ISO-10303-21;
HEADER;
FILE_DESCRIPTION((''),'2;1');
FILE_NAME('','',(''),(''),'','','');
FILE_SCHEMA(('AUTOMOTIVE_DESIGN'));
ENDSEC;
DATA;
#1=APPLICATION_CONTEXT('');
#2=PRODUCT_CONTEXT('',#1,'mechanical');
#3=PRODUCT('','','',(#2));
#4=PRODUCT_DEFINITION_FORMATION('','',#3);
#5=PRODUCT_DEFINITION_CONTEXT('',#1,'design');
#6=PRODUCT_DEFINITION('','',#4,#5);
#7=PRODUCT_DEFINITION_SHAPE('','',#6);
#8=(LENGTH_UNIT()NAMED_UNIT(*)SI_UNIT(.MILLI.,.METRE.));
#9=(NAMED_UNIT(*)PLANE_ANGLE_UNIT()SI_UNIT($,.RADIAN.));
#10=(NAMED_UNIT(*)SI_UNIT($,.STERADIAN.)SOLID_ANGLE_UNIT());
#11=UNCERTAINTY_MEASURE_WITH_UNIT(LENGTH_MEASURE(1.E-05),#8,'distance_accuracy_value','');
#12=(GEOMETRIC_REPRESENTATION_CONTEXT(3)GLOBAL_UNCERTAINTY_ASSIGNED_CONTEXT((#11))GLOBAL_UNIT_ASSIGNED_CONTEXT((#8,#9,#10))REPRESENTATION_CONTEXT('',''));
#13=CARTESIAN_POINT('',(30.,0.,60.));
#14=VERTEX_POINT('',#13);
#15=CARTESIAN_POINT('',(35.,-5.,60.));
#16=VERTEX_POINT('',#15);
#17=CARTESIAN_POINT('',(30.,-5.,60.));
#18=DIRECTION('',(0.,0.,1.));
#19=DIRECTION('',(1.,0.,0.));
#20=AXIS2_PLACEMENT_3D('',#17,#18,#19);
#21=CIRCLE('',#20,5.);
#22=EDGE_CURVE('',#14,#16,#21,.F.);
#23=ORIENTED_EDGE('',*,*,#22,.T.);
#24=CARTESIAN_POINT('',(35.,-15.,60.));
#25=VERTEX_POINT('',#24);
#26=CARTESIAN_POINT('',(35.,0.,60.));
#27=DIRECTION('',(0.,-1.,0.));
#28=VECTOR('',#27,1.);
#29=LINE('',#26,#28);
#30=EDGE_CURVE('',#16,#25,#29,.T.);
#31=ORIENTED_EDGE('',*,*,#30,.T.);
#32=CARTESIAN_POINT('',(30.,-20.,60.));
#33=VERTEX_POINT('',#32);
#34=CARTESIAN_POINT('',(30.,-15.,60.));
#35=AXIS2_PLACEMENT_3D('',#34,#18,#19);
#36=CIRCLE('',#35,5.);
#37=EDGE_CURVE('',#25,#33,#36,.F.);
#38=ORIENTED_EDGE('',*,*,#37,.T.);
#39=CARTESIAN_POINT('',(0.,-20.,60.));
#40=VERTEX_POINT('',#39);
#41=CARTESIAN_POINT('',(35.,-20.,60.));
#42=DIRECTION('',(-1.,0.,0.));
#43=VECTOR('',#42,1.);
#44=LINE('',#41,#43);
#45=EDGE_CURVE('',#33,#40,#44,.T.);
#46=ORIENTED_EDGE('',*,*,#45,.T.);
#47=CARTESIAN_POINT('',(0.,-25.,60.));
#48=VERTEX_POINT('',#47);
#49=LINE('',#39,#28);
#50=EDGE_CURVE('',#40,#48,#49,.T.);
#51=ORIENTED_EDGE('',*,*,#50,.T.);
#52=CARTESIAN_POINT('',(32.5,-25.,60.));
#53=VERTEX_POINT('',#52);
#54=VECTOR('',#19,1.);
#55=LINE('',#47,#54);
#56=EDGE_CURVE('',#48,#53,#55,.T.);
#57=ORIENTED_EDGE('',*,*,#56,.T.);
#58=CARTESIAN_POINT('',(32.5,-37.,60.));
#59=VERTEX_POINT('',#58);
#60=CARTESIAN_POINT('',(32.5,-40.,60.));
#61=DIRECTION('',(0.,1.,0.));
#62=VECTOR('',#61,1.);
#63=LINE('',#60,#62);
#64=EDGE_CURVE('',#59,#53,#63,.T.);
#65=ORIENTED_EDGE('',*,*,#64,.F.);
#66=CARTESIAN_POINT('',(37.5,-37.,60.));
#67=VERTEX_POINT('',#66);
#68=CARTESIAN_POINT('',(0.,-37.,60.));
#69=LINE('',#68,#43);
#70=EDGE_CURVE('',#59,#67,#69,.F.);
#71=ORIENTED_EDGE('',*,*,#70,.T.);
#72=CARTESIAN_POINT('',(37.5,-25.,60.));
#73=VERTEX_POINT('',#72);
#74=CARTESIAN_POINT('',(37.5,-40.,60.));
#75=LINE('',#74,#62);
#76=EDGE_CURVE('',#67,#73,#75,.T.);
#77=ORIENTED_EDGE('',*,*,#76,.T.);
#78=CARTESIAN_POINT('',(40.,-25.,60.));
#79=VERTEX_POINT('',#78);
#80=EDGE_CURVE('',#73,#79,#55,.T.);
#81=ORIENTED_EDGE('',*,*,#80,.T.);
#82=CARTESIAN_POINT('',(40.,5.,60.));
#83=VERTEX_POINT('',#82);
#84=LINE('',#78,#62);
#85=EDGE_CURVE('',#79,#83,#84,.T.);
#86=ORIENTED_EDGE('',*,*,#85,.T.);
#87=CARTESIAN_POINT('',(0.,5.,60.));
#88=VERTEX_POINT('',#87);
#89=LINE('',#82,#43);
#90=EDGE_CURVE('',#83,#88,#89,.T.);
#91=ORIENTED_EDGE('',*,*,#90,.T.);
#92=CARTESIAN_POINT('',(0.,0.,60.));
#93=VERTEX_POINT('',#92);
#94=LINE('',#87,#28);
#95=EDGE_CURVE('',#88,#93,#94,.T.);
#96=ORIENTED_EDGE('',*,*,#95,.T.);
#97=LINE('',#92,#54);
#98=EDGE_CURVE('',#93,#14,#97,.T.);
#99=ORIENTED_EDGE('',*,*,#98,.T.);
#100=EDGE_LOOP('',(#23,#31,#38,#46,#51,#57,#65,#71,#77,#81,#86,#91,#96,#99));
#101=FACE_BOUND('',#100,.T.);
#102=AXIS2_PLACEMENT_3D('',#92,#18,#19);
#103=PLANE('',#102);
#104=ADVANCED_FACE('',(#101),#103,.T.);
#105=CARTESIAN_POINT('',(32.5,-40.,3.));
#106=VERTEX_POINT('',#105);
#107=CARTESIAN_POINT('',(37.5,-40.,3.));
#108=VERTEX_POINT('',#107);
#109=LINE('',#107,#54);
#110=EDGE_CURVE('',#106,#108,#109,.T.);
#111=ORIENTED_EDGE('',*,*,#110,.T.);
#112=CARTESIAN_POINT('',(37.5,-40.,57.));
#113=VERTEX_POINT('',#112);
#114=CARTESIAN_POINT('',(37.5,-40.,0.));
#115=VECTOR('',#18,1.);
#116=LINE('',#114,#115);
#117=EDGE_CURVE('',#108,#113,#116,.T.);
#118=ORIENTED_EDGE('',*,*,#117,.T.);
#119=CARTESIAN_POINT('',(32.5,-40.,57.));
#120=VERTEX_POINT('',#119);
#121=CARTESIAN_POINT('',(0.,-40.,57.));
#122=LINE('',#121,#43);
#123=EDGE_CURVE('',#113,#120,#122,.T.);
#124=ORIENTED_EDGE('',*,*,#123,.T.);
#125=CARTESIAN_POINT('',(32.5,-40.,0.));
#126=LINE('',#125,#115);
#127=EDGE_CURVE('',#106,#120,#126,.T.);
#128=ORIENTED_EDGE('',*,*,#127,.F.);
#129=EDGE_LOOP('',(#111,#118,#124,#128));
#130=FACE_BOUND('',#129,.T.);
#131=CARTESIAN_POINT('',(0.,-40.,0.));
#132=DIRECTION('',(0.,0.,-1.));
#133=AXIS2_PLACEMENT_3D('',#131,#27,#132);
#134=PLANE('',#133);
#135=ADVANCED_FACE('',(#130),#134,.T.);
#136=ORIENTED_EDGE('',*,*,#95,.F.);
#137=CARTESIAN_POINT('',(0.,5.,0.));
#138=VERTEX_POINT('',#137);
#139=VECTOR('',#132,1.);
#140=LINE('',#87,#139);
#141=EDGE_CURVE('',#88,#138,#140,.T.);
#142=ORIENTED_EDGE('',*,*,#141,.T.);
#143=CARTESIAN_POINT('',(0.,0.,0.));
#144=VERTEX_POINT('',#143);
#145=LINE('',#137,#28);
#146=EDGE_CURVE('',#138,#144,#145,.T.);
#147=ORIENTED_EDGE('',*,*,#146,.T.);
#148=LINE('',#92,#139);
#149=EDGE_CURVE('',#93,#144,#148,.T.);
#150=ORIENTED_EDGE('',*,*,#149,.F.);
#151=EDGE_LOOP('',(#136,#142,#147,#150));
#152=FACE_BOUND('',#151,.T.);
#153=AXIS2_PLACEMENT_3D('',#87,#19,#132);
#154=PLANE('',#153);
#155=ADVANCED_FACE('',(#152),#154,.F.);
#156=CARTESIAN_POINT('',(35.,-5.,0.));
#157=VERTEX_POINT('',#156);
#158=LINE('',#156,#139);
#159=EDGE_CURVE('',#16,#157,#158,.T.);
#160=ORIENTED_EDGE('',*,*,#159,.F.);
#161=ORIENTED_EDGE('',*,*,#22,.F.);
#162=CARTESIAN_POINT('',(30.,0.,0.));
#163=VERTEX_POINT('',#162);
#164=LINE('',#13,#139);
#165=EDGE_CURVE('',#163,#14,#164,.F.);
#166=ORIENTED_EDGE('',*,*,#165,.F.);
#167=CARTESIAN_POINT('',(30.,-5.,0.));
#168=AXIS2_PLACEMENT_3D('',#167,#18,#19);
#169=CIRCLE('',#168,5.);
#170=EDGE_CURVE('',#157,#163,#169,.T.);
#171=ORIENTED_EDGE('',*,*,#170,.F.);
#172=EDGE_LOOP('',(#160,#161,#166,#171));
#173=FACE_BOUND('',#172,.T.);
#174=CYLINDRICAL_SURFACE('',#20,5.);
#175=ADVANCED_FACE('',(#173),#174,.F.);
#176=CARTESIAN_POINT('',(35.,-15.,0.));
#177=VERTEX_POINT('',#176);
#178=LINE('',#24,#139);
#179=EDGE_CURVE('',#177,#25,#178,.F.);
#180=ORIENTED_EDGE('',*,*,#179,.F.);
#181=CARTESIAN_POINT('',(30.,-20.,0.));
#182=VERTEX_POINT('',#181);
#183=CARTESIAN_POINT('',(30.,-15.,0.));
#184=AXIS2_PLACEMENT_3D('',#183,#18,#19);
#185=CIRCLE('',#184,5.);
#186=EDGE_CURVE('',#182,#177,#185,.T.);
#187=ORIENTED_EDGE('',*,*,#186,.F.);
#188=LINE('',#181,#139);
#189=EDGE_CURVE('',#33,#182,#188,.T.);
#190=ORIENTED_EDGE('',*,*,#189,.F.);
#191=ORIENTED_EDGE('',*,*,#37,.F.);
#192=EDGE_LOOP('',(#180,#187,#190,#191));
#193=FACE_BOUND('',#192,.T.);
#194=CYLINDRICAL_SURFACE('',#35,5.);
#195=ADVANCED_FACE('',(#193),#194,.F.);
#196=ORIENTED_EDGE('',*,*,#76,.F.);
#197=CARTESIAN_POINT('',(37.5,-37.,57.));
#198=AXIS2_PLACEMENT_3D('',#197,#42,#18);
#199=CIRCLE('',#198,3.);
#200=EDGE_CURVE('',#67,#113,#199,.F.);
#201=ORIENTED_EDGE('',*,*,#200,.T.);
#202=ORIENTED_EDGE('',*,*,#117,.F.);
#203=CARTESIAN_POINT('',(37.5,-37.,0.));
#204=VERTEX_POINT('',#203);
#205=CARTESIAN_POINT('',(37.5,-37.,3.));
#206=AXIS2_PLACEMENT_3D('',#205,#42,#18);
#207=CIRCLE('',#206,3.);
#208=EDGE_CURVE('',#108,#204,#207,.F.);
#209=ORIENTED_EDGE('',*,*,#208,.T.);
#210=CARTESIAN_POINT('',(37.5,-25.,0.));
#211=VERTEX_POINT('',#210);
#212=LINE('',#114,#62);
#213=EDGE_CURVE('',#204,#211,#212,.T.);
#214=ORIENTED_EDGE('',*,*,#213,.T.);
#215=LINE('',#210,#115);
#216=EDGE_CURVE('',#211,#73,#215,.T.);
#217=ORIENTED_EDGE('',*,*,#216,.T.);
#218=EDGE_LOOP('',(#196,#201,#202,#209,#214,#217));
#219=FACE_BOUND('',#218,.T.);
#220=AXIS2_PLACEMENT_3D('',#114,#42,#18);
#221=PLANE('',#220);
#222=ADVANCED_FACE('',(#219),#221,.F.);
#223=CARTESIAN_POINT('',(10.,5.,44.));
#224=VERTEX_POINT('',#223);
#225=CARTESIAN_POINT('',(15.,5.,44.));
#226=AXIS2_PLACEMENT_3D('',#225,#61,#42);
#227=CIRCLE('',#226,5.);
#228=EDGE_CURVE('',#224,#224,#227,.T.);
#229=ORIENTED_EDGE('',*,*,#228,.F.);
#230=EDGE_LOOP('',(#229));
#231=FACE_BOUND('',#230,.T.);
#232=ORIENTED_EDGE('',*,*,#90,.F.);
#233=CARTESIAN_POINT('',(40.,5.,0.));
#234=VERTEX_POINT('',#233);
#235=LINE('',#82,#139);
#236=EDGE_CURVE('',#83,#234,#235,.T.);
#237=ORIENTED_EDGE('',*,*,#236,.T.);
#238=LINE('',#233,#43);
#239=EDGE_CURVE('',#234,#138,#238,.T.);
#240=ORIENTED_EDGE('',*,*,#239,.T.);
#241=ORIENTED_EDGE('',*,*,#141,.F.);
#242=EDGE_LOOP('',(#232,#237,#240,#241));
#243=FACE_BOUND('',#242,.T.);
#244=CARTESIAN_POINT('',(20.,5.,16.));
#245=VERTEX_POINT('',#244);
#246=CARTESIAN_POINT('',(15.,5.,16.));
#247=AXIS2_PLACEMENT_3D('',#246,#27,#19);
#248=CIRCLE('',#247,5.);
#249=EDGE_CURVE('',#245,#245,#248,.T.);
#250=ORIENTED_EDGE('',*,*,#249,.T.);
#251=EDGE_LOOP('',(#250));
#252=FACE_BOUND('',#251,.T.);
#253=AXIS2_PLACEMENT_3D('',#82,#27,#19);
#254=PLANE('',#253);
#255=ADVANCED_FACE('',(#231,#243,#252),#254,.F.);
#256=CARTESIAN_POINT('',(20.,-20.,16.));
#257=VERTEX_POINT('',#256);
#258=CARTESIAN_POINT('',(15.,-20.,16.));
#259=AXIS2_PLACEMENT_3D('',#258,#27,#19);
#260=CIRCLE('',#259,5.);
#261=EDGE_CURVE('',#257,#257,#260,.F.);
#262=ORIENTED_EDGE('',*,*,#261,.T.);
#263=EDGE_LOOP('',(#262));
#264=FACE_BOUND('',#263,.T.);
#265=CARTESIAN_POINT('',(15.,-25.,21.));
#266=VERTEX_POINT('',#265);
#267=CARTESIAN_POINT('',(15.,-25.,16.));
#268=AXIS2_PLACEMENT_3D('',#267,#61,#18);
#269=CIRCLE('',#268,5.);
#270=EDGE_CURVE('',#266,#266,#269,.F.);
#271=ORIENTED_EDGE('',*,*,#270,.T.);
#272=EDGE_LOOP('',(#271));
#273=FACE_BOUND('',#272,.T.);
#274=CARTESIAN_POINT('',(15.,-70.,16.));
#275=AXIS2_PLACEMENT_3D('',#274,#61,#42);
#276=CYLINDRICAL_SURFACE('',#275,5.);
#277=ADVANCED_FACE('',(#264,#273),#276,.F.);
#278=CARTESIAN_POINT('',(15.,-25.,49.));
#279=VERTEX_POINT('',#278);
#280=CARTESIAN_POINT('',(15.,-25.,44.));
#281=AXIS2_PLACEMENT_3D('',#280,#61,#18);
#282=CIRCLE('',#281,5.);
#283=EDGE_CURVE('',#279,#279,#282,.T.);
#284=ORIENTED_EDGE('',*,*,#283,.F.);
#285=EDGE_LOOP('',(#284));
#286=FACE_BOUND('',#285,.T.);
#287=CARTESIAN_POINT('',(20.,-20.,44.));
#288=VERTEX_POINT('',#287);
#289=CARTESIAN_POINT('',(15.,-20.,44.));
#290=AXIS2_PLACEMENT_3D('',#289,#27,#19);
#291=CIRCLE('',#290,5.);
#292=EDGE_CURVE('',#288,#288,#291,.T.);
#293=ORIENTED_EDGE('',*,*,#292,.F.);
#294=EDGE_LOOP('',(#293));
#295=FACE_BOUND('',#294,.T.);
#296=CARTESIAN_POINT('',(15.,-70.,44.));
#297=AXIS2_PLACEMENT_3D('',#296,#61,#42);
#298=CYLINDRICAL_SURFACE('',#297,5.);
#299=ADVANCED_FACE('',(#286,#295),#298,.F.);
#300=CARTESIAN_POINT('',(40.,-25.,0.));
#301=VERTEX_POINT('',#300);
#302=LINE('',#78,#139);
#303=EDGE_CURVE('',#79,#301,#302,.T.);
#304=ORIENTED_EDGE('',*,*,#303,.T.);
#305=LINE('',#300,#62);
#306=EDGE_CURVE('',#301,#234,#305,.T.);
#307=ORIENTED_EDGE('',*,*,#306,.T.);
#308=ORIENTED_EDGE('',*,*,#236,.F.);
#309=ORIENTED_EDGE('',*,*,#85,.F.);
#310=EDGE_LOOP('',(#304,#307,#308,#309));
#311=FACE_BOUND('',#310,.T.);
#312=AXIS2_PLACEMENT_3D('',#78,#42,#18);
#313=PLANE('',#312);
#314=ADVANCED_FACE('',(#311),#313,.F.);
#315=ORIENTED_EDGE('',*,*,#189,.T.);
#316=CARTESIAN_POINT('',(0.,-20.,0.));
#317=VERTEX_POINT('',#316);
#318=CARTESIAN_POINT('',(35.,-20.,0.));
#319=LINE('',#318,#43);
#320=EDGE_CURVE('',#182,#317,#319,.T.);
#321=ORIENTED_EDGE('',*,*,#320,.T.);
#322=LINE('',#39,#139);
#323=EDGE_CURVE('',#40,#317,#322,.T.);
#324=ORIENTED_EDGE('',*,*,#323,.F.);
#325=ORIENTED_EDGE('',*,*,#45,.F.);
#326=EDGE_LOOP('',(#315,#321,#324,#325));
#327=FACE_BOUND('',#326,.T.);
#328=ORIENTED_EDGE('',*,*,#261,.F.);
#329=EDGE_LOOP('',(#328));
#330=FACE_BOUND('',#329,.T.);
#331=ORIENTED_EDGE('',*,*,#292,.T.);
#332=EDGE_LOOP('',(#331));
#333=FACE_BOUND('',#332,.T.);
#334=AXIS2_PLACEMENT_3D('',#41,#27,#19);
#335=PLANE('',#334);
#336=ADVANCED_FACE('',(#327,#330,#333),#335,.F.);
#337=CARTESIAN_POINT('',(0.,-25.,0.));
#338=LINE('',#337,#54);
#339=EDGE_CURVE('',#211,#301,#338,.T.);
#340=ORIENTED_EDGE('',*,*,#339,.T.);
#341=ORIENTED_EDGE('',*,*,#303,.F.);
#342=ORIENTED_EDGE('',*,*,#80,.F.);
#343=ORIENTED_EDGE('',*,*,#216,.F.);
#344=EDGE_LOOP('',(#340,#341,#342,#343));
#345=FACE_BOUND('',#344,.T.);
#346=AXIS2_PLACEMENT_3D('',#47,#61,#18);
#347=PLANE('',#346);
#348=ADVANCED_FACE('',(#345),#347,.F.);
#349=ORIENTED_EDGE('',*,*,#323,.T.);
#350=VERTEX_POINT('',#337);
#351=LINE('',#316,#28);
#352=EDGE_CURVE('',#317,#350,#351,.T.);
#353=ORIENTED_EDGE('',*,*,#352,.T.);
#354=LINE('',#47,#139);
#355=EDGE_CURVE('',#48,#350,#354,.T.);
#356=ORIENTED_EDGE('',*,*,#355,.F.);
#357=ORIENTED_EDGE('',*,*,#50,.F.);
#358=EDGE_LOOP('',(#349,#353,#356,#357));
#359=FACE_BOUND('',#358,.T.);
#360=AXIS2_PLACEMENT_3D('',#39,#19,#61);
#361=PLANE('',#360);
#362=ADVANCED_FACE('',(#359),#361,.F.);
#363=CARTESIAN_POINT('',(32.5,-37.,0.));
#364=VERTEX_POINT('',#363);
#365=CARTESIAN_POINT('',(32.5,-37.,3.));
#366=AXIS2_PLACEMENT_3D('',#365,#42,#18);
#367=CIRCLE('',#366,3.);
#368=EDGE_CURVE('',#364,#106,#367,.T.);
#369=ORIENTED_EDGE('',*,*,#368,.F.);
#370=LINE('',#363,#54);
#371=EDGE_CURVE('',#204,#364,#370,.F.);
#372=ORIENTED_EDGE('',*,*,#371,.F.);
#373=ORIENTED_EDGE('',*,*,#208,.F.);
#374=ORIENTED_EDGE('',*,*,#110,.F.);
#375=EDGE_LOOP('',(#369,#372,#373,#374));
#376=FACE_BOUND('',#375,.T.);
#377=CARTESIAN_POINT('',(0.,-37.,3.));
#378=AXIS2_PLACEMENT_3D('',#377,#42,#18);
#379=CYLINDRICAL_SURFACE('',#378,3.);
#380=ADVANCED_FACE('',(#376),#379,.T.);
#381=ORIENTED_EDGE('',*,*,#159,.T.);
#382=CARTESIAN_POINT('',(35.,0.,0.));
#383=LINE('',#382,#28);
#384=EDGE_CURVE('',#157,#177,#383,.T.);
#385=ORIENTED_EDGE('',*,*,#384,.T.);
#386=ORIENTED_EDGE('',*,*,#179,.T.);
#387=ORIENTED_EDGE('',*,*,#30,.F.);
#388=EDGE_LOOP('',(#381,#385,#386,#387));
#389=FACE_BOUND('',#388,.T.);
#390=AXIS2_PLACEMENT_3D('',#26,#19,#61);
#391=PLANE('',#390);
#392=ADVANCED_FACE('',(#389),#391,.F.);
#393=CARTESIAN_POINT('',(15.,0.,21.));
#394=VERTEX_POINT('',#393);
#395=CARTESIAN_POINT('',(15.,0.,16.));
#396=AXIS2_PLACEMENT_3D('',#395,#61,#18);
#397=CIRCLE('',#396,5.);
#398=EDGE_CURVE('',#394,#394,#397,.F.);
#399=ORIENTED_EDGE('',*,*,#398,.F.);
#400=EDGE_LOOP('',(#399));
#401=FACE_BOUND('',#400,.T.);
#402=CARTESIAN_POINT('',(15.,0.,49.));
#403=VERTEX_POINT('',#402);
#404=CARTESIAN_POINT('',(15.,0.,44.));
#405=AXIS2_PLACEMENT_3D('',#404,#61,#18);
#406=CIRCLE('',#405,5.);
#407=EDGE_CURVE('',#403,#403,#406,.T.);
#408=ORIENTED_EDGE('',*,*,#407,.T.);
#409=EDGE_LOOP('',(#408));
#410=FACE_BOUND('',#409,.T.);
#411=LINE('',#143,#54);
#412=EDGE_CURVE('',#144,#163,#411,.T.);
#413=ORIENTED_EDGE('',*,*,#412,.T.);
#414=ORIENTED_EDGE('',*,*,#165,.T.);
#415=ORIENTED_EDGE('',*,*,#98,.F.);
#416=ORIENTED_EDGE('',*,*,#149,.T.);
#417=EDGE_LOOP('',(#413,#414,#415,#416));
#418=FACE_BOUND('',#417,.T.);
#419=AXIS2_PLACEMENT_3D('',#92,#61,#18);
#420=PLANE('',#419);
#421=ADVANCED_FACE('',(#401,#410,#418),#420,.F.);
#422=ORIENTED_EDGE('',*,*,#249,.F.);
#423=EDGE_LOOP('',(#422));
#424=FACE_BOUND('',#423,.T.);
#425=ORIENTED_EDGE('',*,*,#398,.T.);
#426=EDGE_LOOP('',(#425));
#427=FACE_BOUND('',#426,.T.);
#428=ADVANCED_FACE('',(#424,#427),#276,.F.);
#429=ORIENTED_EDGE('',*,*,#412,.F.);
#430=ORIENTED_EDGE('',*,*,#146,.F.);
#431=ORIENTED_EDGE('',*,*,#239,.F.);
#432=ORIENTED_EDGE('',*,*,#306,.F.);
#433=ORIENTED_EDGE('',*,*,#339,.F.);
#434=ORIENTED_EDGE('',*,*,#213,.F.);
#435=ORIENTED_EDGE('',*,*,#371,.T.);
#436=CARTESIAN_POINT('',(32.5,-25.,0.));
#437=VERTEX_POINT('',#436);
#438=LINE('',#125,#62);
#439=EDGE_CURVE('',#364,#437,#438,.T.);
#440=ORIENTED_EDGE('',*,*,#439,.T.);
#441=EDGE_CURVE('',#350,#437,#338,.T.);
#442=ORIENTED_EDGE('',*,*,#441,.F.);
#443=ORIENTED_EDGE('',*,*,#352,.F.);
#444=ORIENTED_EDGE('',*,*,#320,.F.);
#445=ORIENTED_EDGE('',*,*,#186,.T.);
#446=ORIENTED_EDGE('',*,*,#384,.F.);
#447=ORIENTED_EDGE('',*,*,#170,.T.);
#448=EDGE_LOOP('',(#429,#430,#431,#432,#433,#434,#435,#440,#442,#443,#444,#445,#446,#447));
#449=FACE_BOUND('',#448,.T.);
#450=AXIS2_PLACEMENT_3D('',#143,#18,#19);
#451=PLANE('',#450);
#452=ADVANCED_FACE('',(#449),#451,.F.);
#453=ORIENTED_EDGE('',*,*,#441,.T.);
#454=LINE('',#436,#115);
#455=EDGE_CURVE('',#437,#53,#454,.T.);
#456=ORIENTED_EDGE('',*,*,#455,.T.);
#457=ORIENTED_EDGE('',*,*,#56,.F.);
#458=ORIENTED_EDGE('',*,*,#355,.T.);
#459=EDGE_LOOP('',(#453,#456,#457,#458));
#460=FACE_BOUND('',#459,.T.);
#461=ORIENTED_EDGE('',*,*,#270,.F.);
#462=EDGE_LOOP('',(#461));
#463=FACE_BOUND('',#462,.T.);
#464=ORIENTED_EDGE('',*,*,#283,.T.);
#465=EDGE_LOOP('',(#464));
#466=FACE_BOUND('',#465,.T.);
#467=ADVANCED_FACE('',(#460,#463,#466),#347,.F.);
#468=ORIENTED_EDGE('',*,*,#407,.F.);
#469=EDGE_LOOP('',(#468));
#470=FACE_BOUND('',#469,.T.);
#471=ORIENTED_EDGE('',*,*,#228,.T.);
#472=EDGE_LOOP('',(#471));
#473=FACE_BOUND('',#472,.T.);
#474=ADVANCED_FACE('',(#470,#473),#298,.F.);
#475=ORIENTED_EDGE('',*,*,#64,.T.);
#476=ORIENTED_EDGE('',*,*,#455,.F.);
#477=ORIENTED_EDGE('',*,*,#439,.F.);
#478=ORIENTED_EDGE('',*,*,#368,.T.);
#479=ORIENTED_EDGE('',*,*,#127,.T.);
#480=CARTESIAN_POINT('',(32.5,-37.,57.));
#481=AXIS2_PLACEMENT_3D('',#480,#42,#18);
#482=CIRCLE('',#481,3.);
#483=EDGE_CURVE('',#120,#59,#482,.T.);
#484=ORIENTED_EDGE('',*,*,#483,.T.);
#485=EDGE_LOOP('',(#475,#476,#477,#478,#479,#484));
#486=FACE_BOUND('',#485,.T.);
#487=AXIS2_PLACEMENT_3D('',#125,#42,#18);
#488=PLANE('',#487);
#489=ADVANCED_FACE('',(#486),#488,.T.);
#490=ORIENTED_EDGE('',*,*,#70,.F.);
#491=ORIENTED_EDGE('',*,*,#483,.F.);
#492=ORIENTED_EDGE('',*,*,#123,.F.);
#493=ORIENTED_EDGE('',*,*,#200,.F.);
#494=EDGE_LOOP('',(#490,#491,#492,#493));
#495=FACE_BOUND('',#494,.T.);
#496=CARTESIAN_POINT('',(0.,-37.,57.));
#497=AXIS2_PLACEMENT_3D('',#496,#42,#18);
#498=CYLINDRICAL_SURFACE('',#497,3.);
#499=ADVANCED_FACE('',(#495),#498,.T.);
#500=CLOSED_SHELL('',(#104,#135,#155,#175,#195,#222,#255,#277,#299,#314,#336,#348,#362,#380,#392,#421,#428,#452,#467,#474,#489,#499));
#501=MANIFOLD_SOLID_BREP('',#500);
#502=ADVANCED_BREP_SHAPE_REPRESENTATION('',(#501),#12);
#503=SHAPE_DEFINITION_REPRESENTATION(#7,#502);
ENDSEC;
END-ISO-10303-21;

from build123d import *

# Parameters (mm, degrees)
BOSS_EXTRUDE1_DEPTH = 60
FILLET1_R           = 5
SKETCH2_R           = 5
CUT_EXTRUDE1_DEPTH  = 75
SKETCH3_W           = 5
SKETCH3_H           = 60
BOSS_EXTRUDE2_DEPTH = 15
FILLET3_R           = 3


with BuildPart() as part:
    # Sketch1 → Boss-Extrude1 (new body)
    with BuildSketch(Plane.XY):
        Polygon((0, 0), (35, 0), (35, -20), (0, -20), (0, -25), (40, -25), (40, 5), (0, 5), align=None)
    extrude(amount=BOSS_EXTRUDE1_DEPTH)

    # Fillet1
    fillet1_edges = [part.edges().sort_by_distance(p)[0] for p in [
        (35, -20, 30),
        (35, 0, 30),
    ]]
    fillet(fillet1_edges, radius=FILLET1_R)

    # Sketch2 → Cut-Extrude1 (cut)
    with BuildSketch(Plane(origin=(0, 5, 0), x_dir=(1, 0, 0), z_dir=(0, 1, 0))):
        with Locations(Location((15, -44, 0), (0, 0, 180))):
            Circle(SKETCH2_R)
        with Locations(Location((15, -16, 0), (0, 0, 270))):
            Circle(SKETCH2_R)
    extrude(amount=-CUT_EXTRUDE1_DEPTH, mode=Mode.SUBTRACT)

    # Sketch3 → Boss-Extrude2 (add)
    with BuildSketch(Plane.XZ.offset(25)):
        with Locations((35, 30)):
            Rectangle(SKETCH3_W, SKETCH3_H)
    extrude(amount=BOSS_EXTRUDE2_DEPTH)

    # Fillet3
    fillet3_edges = [part.edges().sort_by_distance(p)[0] for p in [
        (35, -40, 0),
        (35, -40, 60),
    ]]
    fillet(fillet3_edges, radius=FILLET3_R)


solid = part.part
